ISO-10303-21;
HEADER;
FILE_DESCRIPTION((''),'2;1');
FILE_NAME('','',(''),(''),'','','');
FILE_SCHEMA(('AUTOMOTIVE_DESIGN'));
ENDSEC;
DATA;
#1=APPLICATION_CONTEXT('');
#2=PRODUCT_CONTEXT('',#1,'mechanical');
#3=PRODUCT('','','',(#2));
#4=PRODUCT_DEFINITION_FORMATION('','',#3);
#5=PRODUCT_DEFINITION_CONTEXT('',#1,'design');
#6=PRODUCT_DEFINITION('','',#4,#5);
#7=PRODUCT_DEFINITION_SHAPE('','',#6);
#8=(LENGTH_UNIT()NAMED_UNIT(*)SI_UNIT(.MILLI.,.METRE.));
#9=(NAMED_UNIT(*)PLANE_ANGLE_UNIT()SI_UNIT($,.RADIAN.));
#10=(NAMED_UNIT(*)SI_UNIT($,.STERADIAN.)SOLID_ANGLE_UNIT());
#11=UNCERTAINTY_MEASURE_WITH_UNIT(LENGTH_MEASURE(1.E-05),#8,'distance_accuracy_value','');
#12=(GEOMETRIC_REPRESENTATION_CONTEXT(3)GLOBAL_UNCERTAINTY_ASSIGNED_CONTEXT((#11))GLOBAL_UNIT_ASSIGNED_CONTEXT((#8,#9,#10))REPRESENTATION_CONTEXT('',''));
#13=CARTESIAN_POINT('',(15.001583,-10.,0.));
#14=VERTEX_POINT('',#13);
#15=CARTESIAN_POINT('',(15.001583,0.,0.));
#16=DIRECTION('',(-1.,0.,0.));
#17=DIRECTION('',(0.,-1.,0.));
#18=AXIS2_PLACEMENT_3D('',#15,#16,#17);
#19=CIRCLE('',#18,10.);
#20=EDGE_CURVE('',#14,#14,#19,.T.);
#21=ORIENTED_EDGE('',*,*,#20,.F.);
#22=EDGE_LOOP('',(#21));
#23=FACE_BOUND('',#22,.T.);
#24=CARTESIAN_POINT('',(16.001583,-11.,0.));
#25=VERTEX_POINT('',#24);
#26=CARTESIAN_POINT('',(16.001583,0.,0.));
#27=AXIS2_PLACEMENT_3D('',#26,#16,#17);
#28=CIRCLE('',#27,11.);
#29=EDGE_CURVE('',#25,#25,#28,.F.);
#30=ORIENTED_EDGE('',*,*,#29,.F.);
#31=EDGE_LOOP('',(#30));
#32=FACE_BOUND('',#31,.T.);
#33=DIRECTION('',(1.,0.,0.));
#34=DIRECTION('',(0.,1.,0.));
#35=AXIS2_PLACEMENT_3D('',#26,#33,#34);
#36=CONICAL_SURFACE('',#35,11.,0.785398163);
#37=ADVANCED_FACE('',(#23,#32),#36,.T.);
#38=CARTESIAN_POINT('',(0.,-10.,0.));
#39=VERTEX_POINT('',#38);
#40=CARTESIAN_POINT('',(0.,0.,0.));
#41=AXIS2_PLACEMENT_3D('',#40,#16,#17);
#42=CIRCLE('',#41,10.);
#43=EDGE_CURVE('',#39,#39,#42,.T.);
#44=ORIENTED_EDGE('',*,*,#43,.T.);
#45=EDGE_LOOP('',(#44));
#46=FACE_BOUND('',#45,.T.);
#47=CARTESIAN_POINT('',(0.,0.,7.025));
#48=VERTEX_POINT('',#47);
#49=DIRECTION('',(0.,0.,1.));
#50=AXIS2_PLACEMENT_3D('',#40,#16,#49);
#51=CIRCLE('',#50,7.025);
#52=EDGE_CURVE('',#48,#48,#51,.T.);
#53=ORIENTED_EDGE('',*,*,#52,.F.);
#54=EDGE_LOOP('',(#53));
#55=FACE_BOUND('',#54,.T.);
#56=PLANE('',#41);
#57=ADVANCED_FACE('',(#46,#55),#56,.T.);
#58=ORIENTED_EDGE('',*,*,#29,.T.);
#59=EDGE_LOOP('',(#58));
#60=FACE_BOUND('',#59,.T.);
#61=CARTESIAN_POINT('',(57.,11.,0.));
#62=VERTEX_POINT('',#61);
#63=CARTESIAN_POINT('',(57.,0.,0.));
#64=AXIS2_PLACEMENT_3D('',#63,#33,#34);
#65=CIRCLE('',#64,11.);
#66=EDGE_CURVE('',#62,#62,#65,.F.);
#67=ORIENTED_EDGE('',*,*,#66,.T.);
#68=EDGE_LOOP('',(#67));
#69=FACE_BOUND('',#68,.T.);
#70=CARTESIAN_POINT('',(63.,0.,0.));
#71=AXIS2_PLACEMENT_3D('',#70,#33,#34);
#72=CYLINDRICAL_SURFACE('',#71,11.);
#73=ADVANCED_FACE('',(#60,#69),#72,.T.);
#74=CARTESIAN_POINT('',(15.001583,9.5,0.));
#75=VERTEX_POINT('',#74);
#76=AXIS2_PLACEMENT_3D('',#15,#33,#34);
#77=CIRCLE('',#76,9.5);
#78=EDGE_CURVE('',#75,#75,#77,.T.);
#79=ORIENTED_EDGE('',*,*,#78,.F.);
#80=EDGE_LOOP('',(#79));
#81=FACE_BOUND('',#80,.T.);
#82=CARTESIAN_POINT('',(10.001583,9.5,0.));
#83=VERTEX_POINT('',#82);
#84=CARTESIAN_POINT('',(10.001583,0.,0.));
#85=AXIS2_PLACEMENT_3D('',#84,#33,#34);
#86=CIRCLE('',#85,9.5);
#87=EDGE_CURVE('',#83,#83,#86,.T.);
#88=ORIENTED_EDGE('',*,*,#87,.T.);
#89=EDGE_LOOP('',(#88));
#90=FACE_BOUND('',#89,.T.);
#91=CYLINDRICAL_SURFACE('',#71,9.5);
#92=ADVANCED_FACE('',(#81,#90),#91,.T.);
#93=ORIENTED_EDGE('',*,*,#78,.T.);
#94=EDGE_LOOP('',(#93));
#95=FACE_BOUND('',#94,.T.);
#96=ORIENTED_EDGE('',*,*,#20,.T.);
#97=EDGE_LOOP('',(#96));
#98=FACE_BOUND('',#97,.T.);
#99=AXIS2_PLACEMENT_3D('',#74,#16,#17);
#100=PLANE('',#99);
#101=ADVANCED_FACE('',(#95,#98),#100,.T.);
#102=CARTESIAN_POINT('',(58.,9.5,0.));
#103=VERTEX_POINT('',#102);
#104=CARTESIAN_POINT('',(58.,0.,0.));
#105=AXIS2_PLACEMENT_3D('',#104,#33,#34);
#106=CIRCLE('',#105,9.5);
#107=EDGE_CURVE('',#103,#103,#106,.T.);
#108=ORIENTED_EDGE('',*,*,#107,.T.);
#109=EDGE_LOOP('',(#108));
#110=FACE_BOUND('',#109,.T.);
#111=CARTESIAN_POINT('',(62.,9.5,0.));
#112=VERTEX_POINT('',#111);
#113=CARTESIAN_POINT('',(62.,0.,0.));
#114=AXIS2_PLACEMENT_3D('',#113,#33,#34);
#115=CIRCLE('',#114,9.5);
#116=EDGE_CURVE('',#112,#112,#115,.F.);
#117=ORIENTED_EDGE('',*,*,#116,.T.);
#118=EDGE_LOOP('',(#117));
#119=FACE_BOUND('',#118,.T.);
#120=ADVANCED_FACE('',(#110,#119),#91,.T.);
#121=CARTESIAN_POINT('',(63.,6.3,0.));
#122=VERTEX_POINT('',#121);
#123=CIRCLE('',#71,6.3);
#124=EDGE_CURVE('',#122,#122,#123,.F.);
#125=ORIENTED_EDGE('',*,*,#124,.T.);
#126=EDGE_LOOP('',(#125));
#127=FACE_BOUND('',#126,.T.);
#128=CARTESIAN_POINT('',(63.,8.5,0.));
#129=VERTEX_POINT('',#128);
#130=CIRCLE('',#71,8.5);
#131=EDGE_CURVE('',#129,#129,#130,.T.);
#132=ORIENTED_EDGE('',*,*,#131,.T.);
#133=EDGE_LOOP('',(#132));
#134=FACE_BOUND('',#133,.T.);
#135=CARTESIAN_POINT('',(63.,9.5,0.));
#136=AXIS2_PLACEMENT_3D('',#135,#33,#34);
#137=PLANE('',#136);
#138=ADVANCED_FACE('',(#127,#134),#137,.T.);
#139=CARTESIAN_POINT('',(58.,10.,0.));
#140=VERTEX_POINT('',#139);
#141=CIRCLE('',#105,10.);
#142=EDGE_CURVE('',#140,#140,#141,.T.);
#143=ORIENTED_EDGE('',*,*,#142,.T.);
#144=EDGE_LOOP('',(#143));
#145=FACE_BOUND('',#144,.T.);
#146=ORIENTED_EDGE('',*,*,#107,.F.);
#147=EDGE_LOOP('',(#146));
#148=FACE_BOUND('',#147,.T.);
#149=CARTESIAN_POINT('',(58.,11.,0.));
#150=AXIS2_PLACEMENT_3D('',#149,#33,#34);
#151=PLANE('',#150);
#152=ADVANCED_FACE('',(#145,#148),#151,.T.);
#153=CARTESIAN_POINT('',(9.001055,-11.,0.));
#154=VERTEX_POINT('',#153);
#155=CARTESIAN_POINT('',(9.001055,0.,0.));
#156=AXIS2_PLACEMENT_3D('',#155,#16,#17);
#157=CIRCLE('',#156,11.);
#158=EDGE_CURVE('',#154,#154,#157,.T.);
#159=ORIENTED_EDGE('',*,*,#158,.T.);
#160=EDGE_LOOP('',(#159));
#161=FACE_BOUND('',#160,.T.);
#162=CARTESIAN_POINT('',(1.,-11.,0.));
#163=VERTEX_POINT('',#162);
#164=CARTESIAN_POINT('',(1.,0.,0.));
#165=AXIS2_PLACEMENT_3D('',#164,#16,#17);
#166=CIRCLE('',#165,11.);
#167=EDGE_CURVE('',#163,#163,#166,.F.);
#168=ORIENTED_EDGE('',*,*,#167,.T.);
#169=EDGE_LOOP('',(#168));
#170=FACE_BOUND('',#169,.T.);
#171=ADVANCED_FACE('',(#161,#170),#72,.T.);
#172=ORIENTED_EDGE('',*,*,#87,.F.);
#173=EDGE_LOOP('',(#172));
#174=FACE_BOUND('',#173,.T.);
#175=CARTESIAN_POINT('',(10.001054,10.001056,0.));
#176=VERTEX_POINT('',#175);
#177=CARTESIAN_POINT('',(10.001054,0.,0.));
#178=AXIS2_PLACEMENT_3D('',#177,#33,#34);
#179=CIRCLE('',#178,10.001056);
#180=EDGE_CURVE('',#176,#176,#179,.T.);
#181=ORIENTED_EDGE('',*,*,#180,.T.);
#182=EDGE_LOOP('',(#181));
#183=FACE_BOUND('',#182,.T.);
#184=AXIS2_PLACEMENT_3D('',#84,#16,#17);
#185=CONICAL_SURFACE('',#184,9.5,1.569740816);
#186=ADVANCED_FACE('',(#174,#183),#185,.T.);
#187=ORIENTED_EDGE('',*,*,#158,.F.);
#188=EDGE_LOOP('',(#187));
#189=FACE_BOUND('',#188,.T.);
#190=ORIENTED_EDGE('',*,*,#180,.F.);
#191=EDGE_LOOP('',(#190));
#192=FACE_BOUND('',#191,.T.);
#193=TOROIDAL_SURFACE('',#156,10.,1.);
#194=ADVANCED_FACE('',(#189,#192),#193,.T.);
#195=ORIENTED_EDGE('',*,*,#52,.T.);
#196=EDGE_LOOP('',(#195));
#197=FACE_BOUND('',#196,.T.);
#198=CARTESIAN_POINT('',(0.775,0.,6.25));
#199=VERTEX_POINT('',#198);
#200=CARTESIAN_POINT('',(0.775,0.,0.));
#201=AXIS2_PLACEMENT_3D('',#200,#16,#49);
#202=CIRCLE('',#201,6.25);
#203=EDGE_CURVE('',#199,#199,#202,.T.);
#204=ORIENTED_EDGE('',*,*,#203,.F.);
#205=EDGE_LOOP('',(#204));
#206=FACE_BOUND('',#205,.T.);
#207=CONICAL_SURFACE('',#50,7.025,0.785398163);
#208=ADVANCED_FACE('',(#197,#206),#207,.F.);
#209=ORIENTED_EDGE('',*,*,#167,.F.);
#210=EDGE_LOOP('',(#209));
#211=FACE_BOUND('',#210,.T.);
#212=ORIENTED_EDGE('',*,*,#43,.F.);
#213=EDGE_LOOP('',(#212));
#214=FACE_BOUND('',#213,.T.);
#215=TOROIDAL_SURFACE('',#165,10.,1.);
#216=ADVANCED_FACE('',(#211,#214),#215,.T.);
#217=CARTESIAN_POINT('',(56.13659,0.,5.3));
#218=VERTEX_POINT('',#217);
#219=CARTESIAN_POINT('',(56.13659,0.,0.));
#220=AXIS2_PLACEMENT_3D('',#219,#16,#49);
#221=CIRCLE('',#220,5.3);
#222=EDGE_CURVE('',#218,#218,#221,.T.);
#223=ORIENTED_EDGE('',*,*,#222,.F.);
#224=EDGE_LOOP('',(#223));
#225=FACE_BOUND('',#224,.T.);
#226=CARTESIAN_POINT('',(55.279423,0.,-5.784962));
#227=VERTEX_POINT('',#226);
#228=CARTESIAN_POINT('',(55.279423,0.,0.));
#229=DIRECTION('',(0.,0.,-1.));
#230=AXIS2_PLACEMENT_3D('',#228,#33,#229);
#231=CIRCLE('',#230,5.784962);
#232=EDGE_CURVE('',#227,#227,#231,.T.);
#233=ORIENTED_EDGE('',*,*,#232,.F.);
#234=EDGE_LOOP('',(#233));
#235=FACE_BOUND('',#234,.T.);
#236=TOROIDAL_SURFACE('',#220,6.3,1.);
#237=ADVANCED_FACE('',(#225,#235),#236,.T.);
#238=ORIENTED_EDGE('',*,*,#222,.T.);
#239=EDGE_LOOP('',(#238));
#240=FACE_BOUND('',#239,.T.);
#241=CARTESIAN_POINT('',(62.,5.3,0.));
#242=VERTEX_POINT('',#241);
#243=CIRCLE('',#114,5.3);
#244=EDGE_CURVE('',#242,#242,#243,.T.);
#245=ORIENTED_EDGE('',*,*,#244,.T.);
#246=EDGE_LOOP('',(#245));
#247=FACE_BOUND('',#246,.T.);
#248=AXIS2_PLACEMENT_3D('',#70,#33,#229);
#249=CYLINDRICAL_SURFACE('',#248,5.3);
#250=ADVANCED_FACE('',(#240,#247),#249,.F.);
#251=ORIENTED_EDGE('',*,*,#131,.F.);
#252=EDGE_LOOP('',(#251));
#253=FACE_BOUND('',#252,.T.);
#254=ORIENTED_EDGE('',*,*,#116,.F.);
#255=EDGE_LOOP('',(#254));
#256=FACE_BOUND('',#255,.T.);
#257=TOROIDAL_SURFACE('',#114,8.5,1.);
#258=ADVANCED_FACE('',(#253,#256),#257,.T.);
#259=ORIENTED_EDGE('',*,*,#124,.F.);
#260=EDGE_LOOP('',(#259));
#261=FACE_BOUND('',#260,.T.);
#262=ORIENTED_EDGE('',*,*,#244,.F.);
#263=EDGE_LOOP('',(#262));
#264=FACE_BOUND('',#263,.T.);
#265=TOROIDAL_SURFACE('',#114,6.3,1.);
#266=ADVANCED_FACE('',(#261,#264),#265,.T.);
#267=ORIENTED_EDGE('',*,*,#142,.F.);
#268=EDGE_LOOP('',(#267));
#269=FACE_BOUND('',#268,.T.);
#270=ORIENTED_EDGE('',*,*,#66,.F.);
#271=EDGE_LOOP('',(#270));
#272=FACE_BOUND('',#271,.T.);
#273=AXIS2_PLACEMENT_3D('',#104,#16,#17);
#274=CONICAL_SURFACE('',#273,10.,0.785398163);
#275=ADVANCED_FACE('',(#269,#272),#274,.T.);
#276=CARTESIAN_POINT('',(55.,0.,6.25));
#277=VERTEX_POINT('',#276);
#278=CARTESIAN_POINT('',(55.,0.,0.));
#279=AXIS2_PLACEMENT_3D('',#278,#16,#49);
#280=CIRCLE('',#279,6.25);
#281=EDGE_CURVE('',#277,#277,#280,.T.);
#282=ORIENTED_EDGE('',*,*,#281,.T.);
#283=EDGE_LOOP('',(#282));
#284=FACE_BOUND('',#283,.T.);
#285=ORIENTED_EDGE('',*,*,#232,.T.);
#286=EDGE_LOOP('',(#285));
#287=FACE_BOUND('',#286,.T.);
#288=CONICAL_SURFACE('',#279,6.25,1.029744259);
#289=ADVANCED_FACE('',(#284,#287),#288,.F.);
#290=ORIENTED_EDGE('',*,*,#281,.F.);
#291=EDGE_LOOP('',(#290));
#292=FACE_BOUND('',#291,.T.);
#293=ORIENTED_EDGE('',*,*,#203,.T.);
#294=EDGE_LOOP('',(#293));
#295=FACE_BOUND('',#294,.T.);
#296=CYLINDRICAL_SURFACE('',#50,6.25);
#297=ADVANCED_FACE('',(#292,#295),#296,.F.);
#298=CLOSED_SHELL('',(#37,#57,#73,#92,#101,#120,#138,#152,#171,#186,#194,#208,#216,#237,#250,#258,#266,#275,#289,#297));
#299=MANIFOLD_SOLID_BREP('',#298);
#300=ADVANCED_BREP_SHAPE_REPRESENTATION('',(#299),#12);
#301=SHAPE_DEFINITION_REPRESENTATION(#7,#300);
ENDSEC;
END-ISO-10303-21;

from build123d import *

# Parameters (mm, degrees)
FURO_ROSCADO_DE_M14X1_51_D           = 12.5
FURO_ROSCADO_DE_M14X1_51_DEPTH       = 55
FURO_ROSCADO_DE_M14X1_51_CSINK_D     = 14.05
FURO_ROSCADO_DE_M14X1_51_CSINK_ANGLE = 90
FURO_ROSCADO_DE_M14X1_51_TIP         = 3.755378869
FURO1_D                              = 10.6
FURO1_DEPTH                          = 8
FILETE1_R                            = 1
CHANFRO1_SIZE                        = 1


with BuildPart() as part:
    # Esboço1 → Revolução1 (revolve)
    with BuildSketch(Plane.XY):
        Polygon((0, 0), (0, 11), (10, 11), (10.001583267, 9.5), (15.001583267, 9.5), (15.001583267, 11), (58, 11), (58, 9.5), (63, 9.5), (63, 0), align=None)
    revolve(axis=Axis((63, 0, 0), (-1, 0, 0)))

    # Furo roscado de M14x1.51
    with Locations(Plane.ZY):
        with Locations((0, 0)):
            CounterSinkHole(FURO_ROSCADO_DE_M14X1_51_D / 2, FURO_ROSCADO_DE_M14X1_51_CSINK_D / 2, depth=FURO_ROSCADO_DE_M14X1_51_DEPTH, counter_sink_angle=FURO_ROSCADO_DE_M14X1_51_CSINK_ANGLE)
            with Locations((0, 0, -(FURO_ROSCADO_DE_M14X1_51_DEPTH + FURO_ROSCADO_DE_M14X1_51_TIP / 2))):  # 118° drill point
                Cone(0, FURO_ROSCADO_DE_M14X1_51_D / 2, FURO_ROSCADO_DE_M14X1_51_TIP, mode=Mode.SUBTRACT)

    # Furo1
    with Locations(Plane(origin=(63, 0, 0), x_dir=(0, 0, -1), z_dir=(1, 0, 0))):
        with Locations((0, 0)):
            Hole(FURO1_D / 2, depth=FURO1_DEPTH)

    # Filete1
    filete1_edges = [part.edges().sort_by_distance(p)[0] for p in [
        (10, -11, 0),
        (0, -11, 0),
        (55.570817588, 0, -5.3),
        (63, 0, -5.3),
        (63, -9.5, 0),
    ]]
    fillet(filete1_edges, radius=FILETE1_R)

    # Chanfro1
    chanfro1_edges = [part.edges().sort_by_distance(p)[0] for p in [
        (58, -11, 0),
        (15.001583267, -11, 0),
    ]]
    chamfer(chanfro1_edges, length=CHANFRO1_SIZE)


solid = part.part
